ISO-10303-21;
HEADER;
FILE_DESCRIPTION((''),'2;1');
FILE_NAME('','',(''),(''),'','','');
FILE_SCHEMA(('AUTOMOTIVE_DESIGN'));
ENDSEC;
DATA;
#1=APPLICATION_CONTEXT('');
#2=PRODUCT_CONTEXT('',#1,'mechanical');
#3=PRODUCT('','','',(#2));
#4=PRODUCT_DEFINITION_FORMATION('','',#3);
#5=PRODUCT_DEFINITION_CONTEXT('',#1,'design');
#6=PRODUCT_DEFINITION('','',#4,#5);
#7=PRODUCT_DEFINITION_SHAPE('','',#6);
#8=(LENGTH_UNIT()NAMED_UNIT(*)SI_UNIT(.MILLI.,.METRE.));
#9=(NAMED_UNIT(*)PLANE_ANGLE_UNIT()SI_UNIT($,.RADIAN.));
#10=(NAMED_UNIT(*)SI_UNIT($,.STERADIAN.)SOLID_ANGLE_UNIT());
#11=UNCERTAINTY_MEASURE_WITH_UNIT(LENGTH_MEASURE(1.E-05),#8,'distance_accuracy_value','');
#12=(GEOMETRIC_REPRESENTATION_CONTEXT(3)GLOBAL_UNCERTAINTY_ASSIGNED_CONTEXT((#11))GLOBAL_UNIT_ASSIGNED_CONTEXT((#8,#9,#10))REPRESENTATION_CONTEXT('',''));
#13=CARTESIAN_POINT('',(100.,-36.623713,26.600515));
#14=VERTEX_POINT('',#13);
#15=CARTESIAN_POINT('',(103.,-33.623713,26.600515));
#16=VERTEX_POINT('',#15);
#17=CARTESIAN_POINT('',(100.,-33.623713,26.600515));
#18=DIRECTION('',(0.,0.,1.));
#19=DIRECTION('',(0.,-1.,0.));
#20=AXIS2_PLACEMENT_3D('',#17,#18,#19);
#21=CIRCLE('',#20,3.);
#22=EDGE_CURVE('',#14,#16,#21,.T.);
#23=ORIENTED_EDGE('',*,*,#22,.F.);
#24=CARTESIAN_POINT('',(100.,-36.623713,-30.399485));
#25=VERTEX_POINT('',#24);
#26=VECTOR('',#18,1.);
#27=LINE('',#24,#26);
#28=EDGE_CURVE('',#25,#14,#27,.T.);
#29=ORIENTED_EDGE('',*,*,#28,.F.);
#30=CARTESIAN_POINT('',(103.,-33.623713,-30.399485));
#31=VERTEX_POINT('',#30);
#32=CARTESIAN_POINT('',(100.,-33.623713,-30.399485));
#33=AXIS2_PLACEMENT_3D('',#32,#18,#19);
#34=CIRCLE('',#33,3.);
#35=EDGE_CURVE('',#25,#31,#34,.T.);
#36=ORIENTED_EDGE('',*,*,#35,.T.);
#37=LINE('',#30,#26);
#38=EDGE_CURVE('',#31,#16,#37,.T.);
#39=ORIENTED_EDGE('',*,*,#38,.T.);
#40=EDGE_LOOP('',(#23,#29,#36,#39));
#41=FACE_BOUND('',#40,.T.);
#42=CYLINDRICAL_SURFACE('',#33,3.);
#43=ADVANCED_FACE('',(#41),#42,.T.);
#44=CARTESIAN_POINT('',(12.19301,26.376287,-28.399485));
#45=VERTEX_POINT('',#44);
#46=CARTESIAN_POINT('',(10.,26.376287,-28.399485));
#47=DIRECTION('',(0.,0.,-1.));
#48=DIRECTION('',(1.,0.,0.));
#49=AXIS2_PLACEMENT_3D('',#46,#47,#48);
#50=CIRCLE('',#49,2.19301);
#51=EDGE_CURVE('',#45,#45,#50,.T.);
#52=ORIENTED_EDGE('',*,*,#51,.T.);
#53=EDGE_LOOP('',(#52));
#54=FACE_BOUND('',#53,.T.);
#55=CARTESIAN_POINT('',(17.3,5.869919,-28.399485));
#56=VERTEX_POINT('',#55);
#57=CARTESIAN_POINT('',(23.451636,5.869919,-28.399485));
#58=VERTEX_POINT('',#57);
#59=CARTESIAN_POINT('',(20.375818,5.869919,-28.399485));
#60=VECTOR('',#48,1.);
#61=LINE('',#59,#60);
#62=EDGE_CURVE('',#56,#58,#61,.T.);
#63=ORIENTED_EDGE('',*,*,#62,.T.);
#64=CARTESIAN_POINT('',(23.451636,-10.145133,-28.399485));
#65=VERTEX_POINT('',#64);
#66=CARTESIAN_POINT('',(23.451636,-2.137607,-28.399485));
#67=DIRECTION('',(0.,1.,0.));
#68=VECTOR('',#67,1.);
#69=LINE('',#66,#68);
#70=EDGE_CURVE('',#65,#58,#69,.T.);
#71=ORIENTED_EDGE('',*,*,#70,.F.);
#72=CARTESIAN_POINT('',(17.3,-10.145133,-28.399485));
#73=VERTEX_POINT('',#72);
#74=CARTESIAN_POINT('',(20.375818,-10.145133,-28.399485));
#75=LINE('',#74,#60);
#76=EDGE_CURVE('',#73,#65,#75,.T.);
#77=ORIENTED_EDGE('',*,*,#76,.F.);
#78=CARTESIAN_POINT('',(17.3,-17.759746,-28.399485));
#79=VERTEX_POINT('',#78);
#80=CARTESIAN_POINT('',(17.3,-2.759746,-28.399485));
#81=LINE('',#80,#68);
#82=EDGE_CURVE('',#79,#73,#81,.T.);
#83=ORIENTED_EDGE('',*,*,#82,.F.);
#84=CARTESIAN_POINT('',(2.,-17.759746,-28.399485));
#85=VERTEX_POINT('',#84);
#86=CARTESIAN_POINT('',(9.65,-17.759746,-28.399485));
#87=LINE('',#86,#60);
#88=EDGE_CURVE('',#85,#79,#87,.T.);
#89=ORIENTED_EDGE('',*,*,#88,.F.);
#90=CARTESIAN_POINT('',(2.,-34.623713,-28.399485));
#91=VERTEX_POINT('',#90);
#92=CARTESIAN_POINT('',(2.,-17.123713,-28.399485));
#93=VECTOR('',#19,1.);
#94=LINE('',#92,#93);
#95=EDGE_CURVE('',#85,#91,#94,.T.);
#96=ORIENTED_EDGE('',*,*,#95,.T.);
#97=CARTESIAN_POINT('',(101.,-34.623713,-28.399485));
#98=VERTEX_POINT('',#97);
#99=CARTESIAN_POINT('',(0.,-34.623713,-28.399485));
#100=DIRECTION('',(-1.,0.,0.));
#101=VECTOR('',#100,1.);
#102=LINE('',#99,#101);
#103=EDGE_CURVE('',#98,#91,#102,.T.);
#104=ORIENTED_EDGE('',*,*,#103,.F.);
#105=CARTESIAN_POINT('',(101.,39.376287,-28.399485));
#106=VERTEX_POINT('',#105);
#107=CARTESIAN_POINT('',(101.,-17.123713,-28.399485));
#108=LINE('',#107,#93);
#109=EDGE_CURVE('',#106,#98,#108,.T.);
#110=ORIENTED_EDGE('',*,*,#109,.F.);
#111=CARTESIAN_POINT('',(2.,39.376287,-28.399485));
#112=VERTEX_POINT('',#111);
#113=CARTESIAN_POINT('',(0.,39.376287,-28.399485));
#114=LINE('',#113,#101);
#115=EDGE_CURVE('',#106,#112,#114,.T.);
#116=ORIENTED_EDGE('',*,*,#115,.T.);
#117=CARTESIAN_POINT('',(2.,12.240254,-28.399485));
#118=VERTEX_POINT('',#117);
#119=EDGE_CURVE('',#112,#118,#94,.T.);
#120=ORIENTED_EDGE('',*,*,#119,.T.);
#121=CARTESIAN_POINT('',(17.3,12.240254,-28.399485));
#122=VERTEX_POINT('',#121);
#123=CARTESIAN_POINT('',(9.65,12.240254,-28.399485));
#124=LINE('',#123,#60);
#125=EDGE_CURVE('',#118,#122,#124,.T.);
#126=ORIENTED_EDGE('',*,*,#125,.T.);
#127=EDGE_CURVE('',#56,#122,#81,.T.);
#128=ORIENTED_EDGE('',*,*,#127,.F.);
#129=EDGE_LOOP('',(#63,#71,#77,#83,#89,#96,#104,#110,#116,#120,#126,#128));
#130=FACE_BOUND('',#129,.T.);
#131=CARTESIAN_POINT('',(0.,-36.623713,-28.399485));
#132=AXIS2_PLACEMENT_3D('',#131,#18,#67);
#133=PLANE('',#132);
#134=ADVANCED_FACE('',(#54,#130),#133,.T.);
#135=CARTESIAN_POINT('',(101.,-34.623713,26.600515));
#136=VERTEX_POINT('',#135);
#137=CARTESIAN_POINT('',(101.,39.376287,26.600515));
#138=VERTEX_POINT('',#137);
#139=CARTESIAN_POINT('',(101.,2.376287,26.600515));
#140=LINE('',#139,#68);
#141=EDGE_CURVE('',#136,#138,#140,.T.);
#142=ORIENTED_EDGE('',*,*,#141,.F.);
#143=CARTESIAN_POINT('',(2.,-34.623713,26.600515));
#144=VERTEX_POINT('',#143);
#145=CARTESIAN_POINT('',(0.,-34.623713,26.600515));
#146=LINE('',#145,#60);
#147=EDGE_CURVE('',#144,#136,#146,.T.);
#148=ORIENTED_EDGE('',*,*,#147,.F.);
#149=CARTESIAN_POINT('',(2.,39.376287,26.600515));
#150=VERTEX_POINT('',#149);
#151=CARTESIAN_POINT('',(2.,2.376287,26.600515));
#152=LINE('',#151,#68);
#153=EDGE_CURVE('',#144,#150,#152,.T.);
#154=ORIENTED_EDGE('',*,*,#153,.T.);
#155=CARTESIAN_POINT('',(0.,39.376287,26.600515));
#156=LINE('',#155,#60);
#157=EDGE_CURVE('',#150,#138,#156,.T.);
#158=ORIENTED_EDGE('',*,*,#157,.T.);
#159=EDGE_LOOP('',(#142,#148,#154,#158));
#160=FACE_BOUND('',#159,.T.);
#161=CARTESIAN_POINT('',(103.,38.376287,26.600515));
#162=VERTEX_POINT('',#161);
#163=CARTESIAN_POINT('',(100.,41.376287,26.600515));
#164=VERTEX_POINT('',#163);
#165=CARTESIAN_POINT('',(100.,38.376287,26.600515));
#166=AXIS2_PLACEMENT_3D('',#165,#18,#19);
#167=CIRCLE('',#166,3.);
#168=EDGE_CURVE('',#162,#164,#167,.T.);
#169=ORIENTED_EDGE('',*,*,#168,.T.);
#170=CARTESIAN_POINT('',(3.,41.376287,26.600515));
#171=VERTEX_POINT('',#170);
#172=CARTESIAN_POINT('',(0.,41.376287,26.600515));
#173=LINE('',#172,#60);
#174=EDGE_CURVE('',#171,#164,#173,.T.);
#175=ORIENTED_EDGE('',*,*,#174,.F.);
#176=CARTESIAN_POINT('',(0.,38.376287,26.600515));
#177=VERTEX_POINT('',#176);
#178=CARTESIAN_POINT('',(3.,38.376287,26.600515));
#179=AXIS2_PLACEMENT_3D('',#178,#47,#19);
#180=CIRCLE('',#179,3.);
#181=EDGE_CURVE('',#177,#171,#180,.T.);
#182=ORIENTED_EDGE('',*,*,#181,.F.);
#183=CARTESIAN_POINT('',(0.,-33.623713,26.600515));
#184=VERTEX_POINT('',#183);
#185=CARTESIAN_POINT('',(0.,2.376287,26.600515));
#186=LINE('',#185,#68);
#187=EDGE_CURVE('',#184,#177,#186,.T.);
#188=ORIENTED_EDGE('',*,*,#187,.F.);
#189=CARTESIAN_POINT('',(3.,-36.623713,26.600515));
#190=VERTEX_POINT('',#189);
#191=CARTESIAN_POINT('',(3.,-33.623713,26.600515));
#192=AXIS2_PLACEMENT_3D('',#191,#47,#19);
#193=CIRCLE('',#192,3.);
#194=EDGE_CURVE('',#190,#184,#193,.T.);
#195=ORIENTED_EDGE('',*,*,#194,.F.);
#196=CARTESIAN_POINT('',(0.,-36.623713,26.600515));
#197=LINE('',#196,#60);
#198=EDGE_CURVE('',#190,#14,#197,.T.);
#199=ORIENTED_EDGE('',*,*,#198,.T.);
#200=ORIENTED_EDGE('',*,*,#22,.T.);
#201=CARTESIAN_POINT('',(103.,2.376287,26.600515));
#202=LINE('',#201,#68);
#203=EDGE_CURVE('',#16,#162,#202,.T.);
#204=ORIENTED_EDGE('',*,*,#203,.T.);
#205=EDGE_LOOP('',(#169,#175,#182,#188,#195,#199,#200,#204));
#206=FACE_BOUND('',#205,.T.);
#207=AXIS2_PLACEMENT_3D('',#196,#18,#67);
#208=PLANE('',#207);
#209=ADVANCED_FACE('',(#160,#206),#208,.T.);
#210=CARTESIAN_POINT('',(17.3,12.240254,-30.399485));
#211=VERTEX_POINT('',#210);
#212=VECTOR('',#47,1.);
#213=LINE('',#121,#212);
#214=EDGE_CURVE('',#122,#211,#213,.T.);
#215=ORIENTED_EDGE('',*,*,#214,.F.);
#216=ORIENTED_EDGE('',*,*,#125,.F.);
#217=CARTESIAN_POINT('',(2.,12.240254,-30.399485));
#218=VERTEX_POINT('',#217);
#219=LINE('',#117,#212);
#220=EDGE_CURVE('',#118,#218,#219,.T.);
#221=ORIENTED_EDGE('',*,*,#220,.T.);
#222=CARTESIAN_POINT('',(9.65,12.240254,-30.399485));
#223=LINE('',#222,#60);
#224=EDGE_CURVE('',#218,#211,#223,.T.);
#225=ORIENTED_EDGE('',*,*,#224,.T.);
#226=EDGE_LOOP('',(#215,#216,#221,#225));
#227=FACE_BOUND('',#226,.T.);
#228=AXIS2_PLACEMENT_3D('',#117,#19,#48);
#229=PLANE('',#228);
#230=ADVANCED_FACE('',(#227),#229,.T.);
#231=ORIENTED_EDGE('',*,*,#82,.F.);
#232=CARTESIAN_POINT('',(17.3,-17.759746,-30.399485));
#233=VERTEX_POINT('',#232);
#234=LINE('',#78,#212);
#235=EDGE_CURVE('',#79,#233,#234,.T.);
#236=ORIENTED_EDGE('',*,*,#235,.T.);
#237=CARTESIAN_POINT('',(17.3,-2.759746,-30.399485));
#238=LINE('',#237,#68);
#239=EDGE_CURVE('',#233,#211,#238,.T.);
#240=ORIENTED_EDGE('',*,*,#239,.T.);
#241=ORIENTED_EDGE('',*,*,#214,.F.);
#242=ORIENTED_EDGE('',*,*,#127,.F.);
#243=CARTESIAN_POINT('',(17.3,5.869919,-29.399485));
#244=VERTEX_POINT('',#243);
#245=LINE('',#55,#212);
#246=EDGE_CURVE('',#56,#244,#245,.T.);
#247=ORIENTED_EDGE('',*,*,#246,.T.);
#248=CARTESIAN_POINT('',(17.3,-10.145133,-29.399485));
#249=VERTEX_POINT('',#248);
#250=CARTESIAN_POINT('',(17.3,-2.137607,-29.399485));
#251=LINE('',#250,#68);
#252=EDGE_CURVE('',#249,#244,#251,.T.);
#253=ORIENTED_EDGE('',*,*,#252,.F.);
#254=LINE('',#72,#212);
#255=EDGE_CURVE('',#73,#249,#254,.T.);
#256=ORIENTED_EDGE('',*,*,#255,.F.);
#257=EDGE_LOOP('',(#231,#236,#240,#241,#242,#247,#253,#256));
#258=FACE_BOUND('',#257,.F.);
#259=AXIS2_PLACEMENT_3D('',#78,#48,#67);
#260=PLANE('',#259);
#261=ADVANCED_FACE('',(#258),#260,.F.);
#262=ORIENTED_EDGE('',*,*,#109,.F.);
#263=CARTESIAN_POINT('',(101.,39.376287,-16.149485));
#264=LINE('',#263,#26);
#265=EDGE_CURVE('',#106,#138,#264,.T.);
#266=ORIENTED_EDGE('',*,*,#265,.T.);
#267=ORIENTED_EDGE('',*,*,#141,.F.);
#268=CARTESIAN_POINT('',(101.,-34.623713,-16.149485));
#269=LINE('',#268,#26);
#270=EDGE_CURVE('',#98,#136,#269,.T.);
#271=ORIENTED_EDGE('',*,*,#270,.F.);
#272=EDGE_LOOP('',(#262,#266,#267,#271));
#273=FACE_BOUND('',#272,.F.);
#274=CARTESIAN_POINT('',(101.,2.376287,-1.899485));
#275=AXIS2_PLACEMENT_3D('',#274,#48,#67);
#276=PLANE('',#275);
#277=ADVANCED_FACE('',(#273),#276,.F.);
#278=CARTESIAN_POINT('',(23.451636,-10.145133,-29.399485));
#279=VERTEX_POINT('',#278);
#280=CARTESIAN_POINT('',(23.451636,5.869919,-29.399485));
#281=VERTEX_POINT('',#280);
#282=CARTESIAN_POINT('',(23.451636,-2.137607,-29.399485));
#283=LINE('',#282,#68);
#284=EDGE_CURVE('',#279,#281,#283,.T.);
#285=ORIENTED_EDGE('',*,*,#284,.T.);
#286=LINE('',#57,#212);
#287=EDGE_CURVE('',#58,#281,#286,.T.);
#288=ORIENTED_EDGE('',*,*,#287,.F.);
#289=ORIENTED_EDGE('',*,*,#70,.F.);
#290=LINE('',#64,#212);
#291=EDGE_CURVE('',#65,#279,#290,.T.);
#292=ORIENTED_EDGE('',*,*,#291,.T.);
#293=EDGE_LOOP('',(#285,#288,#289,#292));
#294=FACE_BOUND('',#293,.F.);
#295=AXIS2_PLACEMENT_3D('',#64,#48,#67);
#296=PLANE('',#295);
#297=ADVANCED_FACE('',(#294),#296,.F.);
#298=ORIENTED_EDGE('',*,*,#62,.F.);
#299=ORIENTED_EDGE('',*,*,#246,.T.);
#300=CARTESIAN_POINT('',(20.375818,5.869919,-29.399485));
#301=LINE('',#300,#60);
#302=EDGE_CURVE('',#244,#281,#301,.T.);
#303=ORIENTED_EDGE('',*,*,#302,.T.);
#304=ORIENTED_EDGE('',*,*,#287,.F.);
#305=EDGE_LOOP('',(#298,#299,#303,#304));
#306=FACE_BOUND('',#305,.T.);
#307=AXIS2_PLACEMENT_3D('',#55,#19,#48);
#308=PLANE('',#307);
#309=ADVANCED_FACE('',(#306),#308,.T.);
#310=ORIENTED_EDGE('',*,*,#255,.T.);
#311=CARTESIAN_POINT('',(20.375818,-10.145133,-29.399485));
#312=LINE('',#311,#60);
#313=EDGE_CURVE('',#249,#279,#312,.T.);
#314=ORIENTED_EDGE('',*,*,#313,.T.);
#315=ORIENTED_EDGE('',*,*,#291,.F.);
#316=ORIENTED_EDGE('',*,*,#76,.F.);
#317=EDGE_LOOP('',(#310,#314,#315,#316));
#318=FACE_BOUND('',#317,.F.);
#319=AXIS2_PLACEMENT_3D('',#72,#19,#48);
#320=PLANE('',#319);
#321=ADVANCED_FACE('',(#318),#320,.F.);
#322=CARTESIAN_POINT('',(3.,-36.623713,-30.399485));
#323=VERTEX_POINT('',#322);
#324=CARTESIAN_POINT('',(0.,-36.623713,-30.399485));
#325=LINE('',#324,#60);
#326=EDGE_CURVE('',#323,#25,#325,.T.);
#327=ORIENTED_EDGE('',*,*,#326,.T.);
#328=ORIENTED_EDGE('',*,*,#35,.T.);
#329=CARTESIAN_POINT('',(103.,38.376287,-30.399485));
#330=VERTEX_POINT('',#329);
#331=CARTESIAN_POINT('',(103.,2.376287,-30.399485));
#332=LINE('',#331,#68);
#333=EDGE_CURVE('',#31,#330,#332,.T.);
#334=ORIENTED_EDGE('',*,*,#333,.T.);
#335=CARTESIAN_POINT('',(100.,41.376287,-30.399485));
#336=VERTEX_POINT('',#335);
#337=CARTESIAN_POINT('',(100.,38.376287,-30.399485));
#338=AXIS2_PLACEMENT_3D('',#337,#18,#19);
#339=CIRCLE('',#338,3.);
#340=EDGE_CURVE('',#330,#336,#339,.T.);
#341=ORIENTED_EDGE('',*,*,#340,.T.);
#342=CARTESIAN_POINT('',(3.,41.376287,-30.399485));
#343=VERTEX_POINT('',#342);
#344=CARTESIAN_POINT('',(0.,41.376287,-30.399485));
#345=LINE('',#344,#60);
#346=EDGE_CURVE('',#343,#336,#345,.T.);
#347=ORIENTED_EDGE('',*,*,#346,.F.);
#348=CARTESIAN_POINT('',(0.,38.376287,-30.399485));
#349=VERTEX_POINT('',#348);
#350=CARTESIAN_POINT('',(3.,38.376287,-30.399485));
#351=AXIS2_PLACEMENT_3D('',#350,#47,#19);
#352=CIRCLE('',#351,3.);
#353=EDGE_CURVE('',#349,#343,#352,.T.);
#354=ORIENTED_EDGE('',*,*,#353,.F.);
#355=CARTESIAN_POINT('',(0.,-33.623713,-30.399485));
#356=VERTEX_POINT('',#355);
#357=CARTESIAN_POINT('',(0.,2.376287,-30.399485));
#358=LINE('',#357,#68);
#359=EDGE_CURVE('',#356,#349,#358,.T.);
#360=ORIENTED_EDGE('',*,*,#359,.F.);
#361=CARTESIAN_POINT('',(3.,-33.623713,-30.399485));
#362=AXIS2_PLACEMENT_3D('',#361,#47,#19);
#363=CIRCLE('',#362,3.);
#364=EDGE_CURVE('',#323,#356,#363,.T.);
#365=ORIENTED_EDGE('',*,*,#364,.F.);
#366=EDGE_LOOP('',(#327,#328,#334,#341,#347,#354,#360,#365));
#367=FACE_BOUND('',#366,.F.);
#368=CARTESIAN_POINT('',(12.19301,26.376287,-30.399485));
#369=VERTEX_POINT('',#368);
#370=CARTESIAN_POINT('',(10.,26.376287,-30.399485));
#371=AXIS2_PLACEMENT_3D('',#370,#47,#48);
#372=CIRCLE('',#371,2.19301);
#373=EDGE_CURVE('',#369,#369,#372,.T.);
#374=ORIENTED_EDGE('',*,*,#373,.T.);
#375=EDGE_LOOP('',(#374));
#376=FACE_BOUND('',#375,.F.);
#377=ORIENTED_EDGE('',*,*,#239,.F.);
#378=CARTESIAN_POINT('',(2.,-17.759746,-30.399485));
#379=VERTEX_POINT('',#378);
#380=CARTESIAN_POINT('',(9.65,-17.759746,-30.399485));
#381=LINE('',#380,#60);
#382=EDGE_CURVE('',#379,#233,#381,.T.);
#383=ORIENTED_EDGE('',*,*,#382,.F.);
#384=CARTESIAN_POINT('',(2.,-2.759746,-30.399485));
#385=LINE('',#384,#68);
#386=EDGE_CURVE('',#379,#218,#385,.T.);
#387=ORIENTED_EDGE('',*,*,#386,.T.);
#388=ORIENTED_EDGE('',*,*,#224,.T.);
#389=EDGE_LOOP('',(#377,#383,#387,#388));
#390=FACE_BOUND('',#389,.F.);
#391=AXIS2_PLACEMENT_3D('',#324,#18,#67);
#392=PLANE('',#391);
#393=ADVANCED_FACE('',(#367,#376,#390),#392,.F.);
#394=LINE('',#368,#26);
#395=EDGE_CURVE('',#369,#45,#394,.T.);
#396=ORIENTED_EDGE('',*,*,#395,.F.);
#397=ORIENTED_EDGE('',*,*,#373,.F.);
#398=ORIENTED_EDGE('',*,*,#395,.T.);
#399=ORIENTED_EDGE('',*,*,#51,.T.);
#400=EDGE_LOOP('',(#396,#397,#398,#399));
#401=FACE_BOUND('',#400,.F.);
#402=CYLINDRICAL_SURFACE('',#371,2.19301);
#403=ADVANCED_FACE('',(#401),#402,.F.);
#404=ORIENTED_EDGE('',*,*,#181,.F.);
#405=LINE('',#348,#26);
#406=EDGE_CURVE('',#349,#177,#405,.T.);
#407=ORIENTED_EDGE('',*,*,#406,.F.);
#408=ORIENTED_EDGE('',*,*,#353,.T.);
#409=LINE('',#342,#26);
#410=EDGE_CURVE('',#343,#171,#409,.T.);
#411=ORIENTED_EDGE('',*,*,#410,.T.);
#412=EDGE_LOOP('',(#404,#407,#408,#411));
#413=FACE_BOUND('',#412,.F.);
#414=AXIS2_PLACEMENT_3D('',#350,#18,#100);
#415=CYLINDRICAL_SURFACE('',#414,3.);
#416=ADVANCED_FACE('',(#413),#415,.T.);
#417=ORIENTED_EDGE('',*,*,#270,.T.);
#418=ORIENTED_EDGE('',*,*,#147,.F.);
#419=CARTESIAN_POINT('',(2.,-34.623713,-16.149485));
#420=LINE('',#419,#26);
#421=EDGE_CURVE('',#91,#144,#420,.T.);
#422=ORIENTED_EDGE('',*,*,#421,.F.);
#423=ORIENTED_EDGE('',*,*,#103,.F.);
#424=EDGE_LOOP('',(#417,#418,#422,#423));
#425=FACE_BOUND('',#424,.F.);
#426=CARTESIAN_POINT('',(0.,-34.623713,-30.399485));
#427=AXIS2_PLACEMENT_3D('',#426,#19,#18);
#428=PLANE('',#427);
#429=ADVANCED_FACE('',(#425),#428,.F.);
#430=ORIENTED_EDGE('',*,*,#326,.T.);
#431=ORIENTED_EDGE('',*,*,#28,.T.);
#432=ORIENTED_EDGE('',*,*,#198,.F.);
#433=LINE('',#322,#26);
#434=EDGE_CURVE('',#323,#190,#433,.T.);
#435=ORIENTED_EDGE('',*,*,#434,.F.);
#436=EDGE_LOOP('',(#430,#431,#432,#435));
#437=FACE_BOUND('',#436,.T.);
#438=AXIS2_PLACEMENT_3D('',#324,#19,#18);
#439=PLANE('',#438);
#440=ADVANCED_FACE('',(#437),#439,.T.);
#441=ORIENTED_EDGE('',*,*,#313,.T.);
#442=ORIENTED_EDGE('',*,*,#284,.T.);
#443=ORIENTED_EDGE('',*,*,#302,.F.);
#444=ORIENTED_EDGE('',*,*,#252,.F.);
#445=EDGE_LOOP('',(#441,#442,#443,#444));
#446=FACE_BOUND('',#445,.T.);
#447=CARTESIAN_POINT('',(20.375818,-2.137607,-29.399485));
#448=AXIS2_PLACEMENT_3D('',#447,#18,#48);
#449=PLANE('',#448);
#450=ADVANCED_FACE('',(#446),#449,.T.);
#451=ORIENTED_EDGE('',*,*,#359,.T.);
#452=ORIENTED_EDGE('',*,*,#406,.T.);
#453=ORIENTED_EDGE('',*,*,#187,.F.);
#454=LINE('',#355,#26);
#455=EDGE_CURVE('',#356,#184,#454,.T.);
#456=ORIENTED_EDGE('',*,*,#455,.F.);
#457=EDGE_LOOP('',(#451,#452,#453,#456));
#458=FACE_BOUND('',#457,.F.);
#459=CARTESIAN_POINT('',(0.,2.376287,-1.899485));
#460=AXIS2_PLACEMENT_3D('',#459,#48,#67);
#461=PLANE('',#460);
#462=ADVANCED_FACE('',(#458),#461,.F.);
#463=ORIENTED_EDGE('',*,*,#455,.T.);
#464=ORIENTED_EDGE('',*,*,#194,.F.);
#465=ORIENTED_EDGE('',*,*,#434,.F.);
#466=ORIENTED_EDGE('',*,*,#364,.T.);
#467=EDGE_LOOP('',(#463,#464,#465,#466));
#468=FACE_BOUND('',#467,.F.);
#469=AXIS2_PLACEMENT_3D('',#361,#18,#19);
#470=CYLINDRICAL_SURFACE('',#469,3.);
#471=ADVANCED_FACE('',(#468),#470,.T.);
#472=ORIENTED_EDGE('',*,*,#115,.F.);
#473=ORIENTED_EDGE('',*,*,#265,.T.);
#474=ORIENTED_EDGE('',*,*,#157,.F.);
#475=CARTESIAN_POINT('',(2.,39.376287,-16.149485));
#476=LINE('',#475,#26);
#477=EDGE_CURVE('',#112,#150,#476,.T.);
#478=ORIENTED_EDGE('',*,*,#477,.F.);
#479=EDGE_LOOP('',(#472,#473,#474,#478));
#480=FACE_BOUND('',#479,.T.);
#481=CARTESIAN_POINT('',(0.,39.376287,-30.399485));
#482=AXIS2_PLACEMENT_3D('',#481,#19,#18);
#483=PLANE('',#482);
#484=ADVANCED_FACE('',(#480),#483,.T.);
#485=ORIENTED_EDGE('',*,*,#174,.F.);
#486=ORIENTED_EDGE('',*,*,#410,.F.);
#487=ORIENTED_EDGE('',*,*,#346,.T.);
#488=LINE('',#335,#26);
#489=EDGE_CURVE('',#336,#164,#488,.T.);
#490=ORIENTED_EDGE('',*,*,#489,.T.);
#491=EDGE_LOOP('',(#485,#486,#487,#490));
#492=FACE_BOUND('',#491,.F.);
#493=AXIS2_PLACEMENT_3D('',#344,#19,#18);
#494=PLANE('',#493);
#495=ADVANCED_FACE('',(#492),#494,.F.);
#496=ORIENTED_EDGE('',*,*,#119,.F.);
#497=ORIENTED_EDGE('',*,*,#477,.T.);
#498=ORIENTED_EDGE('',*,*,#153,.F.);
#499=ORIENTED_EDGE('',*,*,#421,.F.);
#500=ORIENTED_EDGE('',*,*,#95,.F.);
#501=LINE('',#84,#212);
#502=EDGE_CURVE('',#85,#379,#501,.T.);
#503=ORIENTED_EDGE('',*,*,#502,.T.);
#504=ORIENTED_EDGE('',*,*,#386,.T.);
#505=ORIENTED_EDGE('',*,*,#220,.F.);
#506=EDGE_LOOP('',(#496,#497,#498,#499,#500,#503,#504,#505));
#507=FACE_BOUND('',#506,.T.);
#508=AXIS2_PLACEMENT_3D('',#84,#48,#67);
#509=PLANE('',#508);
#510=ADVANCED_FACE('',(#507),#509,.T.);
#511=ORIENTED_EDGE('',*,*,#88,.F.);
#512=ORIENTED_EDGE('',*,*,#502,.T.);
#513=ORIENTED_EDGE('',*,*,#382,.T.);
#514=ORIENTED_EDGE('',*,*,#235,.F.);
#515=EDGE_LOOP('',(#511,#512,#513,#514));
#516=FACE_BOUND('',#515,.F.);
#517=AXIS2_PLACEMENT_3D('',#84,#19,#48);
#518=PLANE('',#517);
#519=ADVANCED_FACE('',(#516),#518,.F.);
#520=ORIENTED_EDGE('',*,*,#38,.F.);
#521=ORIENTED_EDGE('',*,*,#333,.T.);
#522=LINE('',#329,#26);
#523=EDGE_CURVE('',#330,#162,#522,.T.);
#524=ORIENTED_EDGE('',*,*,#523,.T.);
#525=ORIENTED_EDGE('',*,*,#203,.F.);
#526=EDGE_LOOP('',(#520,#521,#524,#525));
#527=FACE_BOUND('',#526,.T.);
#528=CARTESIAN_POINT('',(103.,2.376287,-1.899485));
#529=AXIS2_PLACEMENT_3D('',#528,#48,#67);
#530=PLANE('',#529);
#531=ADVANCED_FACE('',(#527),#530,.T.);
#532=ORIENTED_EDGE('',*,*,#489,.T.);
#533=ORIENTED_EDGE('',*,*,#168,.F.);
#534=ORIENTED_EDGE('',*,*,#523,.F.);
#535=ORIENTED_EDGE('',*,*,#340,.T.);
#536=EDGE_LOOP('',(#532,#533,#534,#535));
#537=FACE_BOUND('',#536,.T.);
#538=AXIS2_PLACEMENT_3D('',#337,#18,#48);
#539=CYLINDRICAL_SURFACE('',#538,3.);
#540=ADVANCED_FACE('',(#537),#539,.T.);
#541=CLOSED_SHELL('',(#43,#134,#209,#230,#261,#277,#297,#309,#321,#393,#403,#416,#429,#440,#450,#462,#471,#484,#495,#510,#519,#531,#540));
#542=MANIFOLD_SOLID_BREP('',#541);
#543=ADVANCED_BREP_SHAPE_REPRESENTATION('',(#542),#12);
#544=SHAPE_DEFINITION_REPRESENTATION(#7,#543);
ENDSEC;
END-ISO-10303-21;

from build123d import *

# Parameters (mm, degrees)
F0_W     = 78
F0_H     = 57
F1_DEPTH = 103
F2_T     = -2
F3_W     = 15.3
F3_H     = 30
F4_DEPTH = 2
F5_W     = 6.151636
F5_H     = 16.015052
F6_DEPTH = 1
F7_R     = 3
F8_R     = 2.19301
F9_DEPTH = 25


with BuildPart() as f1:
    # F0 (on Right) → F1 (new body)
    with BuildSketch(Plane.YZ):
        with Locations((2.376287, -1.899485)):
            Rectangle(F0_W, F0_H)
    extrude(amount=F1_DEPTH)

    # F2
    f2_openings = [f1.faces().sort_by_distance(p)[0] for p in [
        (51.5, 2.376287, 26.600515),
    ]]
    offset(amount=F2_T, openings=f2_openings)

    # F3 (on face) → F4 (cut)
    with BuildSketch(Plane.XY.offset(-28.399485)):
        with Locations((9.65, -2.759746)):
            Rectangle(F3_W, F3_H)
    extrude(amount=-F4_DEPTH, mode=Mode.SUBTRACT)

    # F5 (on face) → F6 (cut)
    with BuildSketch(Plane.XY.offset(-28.399485)):
        with Locations((20.375818, -2.137607)):
            Rectangle(F5_W, F5_H)
    extrude(amount=-F6_DEPTH, mode=Mode.SUBTRACT)

    # F7
    f7_edges = [f1.edges().sort_by_distance(p)[0] for p in [
        (0, -36.623713, -1.899485),
        (0, 41.376287, -1.899485),
        (103, 41.376287, -1.899485),
        (103, -36.623713, -1.899485),
    ]]
    fillet(f7_edges, radius=F7_R)

    # F8 (on face) → F9 (cut)
    with BuildSketch(Plane(origin=(0, 0, -30.399485), x_dir=(1, 0, 0), z_dir=(0, 0, -1))):
        with Locations((10, -26.376287)):
            Circle(F8_R)
    extrude(amount=-F9_DEPTH, mode=Mode.SUBTRACT)


solid = f1.part
